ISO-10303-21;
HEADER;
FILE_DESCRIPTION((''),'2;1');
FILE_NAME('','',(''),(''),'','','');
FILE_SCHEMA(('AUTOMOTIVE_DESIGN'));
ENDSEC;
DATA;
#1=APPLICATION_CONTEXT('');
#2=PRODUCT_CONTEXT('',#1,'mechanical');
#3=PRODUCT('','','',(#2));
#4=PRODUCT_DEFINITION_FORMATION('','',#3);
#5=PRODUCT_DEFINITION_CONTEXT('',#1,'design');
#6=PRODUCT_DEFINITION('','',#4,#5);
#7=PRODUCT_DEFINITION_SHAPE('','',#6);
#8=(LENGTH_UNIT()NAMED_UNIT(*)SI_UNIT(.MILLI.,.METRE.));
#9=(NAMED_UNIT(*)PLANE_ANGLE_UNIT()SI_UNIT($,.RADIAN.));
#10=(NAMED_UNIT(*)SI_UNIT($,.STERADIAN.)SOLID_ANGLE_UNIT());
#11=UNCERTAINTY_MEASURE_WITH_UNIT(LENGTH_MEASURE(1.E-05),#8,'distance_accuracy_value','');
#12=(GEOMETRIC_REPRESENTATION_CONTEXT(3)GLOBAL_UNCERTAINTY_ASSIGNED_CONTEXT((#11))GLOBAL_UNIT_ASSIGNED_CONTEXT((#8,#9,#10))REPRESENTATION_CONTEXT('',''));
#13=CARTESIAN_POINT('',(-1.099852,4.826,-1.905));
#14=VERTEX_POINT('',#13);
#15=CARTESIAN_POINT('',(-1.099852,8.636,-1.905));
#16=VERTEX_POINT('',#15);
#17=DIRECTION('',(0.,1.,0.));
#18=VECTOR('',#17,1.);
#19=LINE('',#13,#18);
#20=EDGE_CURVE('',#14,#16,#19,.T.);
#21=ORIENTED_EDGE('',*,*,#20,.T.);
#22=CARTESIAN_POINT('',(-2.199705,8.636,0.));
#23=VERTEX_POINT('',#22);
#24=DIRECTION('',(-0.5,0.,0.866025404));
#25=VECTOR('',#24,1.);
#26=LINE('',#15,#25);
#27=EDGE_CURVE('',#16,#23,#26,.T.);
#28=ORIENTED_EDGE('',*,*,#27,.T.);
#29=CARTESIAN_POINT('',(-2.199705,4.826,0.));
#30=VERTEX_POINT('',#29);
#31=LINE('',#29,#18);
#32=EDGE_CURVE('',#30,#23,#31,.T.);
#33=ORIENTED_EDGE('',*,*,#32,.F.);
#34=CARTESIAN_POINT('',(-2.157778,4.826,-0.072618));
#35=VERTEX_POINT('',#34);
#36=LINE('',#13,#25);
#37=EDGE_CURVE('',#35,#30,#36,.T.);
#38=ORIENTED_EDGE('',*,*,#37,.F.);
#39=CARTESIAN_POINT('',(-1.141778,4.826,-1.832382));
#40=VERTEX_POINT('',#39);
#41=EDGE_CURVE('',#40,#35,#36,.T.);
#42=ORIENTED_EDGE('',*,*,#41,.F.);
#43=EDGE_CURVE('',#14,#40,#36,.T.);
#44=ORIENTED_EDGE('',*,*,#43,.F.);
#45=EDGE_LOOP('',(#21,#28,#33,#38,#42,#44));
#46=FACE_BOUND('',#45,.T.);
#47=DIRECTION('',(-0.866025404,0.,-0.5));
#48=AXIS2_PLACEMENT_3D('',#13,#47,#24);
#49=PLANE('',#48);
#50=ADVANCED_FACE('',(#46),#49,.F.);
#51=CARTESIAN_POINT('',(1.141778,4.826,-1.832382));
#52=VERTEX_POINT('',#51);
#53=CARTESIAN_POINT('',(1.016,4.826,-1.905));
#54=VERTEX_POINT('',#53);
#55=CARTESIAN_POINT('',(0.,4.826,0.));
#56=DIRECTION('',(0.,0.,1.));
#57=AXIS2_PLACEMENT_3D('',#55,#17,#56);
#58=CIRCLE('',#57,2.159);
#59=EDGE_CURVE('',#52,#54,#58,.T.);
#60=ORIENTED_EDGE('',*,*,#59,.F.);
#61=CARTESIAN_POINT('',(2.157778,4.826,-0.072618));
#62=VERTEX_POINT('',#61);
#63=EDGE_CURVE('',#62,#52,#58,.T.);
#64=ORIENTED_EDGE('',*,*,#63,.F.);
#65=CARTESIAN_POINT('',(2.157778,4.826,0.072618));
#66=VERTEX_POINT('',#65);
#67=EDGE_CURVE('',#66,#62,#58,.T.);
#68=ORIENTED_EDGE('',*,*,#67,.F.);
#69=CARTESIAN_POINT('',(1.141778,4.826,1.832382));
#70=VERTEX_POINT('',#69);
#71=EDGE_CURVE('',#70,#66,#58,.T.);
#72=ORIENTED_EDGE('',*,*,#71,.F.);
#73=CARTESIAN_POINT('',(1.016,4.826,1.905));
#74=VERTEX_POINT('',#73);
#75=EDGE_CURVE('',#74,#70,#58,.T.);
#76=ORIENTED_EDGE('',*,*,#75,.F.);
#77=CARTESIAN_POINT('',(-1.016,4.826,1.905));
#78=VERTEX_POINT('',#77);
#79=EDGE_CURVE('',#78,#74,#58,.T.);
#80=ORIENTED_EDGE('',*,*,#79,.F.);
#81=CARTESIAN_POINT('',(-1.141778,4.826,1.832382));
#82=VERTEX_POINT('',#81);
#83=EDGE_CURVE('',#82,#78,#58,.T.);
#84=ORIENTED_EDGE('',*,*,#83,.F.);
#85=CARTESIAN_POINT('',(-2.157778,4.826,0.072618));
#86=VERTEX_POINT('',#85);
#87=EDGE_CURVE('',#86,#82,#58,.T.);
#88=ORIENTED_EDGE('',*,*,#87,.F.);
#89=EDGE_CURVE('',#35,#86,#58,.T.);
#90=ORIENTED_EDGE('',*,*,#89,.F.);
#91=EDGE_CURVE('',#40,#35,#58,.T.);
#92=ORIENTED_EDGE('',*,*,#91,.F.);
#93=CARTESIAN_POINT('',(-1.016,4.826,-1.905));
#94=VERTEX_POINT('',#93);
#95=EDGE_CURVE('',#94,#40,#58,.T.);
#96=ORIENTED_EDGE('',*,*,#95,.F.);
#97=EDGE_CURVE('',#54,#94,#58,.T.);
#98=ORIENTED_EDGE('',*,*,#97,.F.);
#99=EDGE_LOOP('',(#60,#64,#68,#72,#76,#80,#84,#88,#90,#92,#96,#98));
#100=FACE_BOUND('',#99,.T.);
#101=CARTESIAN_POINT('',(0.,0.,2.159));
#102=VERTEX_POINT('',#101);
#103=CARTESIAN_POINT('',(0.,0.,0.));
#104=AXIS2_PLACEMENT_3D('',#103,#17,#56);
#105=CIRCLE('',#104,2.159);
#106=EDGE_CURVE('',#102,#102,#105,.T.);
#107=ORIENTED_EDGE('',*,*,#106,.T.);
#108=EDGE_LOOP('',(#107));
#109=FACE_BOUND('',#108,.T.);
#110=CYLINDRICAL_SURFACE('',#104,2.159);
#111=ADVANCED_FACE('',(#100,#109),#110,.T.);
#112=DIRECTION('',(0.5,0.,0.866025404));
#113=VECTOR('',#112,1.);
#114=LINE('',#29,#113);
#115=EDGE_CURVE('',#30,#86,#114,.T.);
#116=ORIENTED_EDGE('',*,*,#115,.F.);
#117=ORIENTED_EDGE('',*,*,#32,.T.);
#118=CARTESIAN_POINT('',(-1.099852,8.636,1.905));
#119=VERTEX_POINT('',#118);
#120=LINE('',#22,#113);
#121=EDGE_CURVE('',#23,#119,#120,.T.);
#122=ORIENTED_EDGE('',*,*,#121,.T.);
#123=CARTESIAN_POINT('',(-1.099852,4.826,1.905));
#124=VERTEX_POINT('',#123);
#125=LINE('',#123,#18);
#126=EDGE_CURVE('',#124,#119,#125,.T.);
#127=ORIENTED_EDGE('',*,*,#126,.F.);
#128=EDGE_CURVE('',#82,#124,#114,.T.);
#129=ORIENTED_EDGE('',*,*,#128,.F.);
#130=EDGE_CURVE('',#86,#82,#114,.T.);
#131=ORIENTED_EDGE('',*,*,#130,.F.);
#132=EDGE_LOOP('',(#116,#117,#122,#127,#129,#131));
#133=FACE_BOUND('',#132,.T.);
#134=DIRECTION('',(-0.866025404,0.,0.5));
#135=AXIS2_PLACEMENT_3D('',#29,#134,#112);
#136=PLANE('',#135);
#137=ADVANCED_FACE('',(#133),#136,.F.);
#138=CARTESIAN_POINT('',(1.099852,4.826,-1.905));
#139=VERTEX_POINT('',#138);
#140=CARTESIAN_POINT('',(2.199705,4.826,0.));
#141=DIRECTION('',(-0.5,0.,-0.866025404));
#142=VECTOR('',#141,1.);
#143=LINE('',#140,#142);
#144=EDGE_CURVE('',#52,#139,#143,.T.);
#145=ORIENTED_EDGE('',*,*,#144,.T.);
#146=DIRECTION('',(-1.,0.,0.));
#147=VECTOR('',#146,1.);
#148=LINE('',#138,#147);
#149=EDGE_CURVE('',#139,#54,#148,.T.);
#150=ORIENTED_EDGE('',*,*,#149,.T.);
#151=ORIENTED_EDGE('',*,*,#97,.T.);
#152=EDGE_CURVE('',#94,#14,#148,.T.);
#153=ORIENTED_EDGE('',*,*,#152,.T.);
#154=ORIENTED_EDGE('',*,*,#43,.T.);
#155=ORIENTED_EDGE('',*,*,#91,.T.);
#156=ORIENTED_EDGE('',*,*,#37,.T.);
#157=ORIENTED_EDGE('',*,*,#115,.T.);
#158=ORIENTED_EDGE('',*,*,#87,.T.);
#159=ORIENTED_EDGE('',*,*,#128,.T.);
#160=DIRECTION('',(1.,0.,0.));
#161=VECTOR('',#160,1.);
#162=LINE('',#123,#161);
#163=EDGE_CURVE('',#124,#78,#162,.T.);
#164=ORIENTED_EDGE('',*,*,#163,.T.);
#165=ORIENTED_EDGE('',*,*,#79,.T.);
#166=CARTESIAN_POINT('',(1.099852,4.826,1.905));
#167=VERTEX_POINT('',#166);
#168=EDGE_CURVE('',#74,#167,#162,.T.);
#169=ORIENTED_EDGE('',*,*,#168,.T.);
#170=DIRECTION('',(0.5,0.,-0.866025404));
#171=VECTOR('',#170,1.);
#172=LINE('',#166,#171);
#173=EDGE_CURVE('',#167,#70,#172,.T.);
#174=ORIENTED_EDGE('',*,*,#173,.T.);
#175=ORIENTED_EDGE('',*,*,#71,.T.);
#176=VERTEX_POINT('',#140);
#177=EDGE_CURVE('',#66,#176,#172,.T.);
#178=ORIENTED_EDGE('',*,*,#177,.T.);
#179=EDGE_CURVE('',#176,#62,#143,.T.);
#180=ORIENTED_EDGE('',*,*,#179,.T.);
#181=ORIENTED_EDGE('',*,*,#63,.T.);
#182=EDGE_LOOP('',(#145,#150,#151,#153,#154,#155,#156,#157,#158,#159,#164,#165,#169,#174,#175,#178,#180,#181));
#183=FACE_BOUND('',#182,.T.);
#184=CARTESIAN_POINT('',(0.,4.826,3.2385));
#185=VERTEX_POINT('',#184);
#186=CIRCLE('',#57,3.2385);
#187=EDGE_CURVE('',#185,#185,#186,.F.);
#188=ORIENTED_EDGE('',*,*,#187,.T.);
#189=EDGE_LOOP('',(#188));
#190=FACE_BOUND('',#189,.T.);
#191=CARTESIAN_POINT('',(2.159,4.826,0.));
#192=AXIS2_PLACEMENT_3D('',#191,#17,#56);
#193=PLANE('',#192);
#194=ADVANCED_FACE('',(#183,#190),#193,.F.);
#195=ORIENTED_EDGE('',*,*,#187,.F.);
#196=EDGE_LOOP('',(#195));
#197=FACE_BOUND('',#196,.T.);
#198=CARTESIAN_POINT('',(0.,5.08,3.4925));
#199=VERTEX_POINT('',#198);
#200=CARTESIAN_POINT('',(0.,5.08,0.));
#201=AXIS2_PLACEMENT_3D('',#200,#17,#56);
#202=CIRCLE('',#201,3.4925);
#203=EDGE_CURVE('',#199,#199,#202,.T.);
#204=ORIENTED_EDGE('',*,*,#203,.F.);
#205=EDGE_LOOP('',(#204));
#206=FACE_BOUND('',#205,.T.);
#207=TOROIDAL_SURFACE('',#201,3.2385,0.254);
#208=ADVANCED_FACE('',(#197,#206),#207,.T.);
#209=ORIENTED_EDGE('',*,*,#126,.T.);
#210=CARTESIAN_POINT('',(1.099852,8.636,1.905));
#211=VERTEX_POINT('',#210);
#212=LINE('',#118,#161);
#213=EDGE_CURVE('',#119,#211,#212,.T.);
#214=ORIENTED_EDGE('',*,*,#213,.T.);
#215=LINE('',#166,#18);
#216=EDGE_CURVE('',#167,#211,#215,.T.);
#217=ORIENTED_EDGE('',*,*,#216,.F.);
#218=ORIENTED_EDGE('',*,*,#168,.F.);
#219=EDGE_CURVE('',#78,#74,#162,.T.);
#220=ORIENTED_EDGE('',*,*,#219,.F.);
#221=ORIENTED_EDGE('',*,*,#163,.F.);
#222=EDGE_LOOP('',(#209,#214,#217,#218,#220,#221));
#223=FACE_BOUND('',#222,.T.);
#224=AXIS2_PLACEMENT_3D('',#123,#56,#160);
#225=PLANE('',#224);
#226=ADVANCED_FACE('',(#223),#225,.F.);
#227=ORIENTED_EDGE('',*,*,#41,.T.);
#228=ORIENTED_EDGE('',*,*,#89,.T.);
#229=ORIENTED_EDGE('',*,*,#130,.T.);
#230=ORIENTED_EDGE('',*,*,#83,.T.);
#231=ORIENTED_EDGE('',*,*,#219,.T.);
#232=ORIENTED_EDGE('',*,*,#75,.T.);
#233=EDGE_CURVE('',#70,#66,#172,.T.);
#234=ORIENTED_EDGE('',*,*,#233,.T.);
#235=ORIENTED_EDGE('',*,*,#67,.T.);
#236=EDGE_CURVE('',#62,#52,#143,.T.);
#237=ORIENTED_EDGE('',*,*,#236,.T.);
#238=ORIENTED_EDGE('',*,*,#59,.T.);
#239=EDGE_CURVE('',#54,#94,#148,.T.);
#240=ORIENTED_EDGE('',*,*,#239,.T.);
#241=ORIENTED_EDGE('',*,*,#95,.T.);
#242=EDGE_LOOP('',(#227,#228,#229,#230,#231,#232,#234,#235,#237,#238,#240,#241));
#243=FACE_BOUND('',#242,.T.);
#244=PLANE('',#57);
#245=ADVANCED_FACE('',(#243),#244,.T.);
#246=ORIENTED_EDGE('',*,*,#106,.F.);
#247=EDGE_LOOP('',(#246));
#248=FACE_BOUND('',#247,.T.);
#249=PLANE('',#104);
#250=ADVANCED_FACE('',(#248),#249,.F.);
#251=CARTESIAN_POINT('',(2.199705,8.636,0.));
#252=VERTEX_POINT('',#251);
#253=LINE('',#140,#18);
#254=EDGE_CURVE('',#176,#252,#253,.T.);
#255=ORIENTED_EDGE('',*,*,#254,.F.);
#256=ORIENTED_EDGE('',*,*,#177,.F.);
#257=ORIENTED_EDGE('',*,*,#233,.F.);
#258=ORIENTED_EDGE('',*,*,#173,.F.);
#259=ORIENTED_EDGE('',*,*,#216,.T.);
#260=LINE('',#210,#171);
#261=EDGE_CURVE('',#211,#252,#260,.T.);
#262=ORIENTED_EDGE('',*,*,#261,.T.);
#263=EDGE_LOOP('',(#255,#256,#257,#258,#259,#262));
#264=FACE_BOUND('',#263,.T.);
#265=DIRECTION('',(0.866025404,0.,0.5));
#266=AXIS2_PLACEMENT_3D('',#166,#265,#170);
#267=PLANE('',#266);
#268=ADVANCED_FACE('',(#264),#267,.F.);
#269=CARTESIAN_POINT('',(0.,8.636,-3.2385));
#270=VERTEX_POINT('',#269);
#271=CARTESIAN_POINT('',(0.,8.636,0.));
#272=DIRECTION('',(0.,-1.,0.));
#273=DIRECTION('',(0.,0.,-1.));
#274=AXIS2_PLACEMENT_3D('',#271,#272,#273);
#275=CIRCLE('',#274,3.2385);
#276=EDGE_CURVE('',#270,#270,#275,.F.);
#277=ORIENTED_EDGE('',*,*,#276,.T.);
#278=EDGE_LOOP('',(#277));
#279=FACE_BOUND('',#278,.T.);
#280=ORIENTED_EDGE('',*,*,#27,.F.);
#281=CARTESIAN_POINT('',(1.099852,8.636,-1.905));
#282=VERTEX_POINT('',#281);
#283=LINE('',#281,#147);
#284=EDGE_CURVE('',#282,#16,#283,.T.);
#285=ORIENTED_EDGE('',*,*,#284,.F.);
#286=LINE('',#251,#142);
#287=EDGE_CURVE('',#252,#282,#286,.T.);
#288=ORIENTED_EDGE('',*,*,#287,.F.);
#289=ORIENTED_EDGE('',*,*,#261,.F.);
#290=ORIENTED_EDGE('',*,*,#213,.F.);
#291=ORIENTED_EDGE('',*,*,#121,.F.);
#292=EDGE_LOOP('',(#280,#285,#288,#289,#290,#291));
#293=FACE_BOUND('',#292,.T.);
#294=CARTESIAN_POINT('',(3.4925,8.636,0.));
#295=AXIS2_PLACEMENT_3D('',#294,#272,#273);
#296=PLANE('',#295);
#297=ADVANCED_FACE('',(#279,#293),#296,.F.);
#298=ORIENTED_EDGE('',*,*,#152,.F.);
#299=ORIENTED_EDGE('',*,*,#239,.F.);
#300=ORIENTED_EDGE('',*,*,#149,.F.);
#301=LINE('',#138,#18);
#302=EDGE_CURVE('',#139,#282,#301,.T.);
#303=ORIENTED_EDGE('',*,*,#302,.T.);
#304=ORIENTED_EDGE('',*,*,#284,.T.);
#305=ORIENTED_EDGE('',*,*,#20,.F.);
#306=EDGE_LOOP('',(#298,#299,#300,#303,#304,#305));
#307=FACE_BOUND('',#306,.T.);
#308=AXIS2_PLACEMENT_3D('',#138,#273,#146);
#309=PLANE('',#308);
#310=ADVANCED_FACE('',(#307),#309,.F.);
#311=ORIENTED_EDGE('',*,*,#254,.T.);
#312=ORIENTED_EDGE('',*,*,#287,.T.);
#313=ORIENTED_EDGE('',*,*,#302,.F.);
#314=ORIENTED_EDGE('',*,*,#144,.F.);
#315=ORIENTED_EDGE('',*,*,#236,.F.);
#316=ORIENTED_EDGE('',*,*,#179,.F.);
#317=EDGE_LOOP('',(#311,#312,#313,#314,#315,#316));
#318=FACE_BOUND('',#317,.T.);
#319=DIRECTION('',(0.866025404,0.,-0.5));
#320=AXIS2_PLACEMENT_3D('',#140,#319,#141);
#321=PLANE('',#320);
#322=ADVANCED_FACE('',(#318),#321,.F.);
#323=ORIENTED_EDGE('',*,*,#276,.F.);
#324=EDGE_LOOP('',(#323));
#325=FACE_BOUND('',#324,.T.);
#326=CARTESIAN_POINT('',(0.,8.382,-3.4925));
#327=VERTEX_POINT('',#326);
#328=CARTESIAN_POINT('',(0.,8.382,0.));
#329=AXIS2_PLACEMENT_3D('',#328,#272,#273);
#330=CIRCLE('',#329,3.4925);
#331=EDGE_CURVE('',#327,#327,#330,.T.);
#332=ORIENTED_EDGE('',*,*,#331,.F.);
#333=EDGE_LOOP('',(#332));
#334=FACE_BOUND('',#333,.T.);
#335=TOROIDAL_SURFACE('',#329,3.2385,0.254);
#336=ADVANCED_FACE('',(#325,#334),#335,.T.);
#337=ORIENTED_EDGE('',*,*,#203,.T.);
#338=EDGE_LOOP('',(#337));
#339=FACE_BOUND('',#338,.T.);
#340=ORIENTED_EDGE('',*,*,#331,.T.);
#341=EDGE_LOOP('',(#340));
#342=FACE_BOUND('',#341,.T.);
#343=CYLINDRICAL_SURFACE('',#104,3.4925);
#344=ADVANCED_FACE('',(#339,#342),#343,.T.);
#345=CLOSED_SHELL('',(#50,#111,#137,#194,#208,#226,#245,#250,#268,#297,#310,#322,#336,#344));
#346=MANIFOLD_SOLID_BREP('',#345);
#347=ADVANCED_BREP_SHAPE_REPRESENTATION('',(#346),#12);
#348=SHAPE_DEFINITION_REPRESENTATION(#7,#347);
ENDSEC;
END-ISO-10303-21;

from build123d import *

# Parameters (mm, degrees)
FILLET1_R          = 0.254
CUT_EXTRUDE1_DEPTH = 3.81


with BuildPart() as part:
    # Sketch1 → Revolve1 (revolve)
    with BuildSketch(Plane.XY, mode=Mode.PRIVATE) as revolve1_sk:
        Polygon((2.159, 0), (2.159, 4.826), (3.4925, 4.826), (3.4925, 8.636), (0, 8.636), (0, 0), align=None)
    revolve(revolve1_sk.sketch.rotate(Axis((0, 0, 0), (0, -1, 0)), 90), axis=Axis((0, 0, 0), (0, -1, 0)))

    # Fillet1
    fillet1_edges = [part.edges().sort_by_distance(p)[0] for p in [
        (0, 8.636, -3.4925),
        (0, 4.826, -3.4925),
    ]]
    fillet(fillet1_edges, radius=FILLET1_R)

    # Sketch2 → Cut-Extrude1 (cut)
    with BuildSketch(Plane(origin=(0, 8.636, 0), x_dir=(1, 0, 0), z_dir=(0, 1, 0))):
        Polygon((1.099852263, 1.905), (-1.099852263, 1.905), (-2.199704526, 0), (-1.099852263, -1.905), (1.099852263, -1.905), (2.199704526, 0), align=None)
    extrude(amount=-CUT_EXTRUDE1_DEPTH, mode=Mode.SUBTRACT)


solid = part.part
